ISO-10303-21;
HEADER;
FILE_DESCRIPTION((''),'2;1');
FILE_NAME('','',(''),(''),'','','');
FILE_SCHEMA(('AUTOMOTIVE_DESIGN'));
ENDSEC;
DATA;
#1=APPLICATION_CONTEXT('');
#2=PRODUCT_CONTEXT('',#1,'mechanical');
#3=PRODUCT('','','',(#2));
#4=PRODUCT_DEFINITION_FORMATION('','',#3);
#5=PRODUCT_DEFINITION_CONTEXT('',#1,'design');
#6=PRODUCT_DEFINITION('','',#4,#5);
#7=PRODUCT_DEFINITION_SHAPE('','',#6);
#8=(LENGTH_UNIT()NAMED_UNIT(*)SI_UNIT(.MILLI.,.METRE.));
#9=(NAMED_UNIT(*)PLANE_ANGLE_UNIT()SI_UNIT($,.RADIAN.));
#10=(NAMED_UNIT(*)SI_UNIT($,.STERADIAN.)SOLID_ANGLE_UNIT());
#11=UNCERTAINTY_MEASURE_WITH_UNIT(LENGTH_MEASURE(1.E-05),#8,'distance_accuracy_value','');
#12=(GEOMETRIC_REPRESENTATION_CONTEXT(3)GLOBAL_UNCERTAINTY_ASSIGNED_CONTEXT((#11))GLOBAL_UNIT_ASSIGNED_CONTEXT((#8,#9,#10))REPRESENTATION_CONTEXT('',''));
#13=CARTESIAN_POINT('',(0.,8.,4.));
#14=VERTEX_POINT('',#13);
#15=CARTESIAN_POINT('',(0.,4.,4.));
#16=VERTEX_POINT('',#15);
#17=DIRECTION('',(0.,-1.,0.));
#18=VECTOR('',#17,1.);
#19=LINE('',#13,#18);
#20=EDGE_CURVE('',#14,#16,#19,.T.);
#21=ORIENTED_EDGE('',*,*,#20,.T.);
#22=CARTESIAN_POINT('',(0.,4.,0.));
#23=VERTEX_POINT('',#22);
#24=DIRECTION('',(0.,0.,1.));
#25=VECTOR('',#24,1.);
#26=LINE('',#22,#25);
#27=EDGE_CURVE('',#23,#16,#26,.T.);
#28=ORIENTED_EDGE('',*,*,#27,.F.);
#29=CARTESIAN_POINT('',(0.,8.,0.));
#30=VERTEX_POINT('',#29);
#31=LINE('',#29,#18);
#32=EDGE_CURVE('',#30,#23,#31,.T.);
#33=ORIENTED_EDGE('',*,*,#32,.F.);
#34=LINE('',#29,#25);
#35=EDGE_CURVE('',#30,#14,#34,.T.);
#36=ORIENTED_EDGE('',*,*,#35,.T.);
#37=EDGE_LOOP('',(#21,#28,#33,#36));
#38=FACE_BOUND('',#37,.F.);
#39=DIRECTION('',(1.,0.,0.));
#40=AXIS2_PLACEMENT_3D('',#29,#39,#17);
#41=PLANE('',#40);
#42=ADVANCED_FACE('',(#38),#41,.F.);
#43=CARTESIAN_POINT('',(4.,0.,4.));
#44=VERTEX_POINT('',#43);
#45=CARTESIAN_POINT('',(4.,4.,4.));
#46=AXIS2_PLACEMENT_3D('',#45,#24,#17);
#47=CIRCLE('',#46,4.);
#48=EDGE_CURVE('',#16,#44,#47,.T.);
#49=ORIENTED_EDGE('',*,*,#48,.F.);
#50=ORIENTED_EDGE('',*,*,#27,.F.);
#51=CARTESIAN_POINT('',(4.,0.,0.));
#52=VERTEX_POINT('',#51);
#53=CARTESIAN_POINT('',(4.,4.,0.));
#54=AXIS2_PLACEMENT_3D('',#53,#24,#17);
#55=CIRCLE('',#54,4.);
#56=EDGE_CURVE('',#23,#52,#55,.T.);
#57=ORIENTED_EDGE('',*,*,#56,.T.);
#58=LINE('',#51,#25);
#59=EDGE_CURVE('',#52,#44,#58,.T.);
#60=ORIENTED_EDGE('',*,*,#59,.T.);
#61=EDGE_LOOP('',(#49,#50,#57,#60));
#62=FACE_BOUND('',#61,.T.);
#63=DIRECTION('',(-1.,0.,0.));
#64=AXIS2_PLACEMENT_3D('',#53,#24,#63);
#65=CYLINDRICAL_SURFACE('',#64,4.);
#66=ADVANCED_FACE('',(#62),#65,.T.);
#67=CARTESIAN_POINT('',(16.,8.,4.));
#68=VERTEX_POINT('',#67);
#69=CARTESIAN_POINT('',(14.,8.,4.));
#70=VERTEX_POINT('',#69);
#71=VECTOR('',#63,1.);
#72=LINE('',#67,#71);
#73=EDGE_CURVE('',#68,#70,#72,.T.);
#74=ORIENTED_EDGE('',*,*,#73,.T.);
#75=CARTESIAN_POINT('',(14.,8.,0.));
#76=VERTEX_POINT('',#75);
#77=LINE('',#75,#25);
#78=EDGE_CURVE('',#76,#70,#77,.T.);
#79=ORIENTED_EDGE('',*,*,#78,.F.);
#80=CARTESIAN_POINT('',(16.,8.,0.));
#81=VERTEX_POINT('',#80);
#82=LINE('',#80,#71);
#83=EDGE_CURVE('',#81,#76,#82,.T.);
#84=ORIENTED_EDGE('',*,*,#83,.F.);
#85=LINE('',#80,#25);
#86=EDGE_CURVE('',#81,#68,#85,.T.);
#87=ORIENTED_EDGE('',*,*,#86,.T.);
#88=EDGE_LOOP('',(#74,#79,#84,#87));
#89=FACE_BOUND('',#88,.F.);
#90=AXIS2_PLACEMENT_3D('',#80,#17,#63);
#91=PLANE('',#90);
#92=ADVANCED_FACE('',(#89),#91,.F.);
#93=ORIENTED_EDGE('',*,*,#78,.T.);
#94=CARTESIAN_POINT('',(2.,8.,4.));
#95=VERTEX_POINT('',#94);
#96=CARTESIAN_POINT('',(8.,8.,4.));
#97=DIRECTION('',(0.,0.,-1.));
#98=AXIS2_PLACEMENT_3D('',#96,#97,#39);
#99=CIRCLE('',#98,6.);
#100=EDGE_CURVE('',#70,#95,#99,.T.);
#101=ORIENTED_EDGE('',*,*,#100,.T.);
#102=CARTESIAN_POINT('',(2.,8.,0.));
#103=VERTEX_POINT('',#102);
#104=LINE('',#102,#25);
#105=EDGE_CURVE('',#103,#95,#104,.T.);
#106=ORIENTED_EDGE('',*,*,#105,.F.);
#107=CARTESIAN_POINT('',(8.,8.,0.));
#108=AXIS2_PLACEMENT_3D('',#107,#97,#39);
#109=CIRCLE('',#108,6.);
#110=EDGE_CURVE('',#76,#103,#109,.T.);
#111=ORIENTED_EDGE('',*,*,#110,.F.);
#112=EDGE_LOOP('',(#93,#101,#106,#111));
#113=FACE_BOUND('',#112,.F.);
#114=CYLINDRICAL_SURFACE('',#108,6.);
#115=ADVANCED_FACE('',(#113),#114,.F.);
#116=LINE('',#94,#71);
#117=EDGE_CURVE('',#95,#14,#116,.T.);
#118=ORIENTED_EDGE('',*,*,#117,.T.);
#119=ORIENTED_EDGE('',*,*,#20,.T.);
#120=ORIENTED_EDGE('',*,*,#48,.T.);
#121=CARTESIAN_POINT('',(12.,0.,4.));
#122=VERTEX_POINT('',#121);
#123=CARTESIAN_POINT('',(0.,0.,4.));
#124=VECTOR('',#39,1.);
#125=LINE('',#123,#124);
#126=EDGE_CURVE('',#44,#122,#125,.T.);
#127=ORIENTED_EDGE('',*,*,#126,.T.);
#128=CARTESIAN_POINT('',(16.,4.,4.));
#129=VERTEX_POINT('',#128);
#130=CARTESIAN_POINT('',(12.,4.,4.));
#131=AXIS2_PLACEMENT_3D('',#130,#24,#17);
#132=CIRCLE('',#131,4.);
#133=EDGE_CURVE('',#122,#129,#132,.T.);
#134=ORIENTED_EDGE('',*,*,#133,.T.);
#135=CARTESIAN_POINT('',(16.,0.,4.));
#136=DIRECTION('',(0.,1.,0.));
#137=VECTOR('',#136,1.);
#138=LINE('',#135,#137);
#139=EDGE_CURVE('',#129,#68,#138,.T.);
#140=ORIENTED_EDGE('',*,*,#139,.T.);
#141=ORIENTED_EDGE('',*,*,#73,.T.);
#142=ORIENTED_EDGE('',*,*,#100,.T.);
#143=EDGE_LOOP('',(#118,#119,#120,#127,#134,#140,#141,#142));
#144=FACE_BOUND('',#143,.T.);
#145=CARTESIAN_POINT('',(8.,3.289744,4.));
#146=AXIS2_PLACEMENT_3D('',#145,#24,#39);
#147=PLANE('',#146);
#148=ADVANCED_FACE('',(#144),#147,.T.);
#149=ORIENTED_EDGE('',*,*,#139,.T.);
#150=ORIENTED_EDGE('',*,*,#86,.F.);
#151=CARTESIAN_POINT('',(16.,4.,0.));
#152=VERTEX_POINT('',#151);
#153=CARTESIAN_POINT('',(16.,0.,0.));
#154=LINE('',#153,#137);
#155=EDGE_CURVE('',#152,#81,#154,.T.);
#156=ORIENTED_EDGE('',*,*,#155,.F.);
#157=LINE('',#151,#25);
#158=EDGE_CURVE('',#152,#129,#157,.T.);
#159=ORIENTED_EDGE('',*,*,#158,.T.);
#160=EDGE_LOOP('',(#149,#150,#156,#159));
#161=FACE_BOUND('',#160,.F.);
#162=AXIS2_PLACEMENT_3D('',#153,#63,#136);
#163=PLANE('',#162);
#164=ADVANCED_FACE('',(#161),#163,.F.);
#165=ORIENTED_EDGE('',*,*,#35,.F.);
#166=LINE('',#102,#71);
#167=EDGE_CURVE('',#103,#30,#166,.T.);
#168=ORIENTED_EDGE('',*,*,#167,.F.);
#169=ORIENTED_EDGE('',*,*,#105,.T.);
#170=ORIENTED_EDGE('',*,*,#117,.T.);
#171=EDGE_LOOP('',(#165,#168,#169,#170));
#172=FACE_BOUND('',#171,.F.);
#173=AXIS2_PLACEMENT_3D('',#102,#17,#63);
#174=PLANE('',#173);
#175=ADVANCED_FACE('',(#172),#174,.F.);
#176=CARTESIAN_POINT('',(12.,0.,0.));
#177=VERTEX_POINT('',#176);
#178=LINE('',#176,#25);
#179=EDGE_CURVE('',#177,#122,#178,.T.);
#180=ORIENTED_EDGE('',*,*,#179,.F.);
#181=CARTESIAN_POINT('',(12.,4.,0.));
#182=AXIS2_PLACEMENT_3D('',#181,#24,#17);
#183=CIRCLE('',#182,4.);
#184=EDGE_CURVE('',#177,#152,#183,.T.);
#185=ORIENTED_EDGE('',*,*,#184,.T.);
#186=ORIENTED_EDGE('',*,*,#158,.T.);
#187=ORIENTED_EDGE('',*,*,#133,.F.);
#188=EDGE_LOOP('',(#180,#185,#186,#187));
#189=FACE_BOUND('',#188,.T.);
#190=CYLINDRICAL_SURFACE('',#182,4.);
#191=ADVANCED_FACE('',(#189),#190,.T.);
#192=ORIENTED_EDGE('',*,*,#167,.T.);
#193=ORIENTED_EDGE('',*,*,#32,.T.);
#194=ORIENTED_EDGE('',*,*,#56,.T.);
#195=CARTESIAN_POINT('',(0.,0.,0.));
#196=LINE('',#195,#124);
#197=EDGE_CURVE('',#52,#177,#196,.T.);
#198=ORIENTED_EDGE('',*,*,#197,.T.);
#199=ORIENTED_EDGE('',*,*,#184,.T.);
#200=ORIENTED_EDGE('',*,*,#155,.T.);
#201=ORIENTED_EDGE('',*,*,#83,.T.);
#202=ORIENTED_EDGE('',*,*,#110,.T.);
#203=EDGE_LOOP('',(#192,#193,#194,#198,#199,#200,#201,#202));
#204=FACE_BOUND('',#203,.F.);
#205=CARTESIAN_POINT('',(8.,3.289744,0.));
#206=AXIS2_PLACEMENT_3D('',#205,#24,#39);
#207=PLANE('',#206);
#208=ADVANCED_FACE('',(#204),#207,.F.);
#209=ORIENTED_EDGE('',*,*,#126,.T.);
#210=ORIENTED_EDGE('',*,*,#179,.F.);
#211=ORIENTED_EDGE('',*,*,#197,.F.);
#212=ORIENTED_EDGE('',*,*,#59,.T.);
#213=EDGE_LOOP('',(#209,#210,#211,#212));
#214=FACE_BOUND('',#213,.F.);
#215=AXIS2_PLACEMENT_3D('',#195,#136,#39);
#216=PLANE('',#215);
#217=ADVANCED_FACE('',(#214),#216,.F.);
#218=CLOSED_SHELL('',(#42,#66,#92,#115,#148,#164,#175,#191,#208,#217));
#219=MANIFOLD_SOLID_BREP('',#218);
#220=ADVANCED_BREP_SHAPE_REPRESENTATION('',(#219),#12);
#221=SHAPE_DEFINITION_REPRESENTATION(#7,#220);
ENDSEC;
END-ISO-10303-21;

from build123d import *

# Parameters (mm, degrees)
F1_DEPTH = 4
F2_R     = 4


with BuildPart() as f1:
    # F0 (on Top) → F1 (new body)
    with BuildSketch(Plane.XY):
        with BuildLine():
            Line((0, 8), (0, 0))
            Line((0, 0), (16, 0))
            Line((16, 0), (16, 8))
            Line((16, 8), (14, 8))
            ThreePointArc((14, 8), (8, 2), (2, 8))
            Line((2, 8), (0, 8))
        make_face()
    extrude(amount=F1_DEPTH)

    # F2
    f2_edges = [f1.edges().sort_by_distance(p)[0] for p in [
        (16, 0, 2),
        (0, 0, 2),
    ]]
    fillet(f2_edges, radius=F2_R)


solid = f1.part
